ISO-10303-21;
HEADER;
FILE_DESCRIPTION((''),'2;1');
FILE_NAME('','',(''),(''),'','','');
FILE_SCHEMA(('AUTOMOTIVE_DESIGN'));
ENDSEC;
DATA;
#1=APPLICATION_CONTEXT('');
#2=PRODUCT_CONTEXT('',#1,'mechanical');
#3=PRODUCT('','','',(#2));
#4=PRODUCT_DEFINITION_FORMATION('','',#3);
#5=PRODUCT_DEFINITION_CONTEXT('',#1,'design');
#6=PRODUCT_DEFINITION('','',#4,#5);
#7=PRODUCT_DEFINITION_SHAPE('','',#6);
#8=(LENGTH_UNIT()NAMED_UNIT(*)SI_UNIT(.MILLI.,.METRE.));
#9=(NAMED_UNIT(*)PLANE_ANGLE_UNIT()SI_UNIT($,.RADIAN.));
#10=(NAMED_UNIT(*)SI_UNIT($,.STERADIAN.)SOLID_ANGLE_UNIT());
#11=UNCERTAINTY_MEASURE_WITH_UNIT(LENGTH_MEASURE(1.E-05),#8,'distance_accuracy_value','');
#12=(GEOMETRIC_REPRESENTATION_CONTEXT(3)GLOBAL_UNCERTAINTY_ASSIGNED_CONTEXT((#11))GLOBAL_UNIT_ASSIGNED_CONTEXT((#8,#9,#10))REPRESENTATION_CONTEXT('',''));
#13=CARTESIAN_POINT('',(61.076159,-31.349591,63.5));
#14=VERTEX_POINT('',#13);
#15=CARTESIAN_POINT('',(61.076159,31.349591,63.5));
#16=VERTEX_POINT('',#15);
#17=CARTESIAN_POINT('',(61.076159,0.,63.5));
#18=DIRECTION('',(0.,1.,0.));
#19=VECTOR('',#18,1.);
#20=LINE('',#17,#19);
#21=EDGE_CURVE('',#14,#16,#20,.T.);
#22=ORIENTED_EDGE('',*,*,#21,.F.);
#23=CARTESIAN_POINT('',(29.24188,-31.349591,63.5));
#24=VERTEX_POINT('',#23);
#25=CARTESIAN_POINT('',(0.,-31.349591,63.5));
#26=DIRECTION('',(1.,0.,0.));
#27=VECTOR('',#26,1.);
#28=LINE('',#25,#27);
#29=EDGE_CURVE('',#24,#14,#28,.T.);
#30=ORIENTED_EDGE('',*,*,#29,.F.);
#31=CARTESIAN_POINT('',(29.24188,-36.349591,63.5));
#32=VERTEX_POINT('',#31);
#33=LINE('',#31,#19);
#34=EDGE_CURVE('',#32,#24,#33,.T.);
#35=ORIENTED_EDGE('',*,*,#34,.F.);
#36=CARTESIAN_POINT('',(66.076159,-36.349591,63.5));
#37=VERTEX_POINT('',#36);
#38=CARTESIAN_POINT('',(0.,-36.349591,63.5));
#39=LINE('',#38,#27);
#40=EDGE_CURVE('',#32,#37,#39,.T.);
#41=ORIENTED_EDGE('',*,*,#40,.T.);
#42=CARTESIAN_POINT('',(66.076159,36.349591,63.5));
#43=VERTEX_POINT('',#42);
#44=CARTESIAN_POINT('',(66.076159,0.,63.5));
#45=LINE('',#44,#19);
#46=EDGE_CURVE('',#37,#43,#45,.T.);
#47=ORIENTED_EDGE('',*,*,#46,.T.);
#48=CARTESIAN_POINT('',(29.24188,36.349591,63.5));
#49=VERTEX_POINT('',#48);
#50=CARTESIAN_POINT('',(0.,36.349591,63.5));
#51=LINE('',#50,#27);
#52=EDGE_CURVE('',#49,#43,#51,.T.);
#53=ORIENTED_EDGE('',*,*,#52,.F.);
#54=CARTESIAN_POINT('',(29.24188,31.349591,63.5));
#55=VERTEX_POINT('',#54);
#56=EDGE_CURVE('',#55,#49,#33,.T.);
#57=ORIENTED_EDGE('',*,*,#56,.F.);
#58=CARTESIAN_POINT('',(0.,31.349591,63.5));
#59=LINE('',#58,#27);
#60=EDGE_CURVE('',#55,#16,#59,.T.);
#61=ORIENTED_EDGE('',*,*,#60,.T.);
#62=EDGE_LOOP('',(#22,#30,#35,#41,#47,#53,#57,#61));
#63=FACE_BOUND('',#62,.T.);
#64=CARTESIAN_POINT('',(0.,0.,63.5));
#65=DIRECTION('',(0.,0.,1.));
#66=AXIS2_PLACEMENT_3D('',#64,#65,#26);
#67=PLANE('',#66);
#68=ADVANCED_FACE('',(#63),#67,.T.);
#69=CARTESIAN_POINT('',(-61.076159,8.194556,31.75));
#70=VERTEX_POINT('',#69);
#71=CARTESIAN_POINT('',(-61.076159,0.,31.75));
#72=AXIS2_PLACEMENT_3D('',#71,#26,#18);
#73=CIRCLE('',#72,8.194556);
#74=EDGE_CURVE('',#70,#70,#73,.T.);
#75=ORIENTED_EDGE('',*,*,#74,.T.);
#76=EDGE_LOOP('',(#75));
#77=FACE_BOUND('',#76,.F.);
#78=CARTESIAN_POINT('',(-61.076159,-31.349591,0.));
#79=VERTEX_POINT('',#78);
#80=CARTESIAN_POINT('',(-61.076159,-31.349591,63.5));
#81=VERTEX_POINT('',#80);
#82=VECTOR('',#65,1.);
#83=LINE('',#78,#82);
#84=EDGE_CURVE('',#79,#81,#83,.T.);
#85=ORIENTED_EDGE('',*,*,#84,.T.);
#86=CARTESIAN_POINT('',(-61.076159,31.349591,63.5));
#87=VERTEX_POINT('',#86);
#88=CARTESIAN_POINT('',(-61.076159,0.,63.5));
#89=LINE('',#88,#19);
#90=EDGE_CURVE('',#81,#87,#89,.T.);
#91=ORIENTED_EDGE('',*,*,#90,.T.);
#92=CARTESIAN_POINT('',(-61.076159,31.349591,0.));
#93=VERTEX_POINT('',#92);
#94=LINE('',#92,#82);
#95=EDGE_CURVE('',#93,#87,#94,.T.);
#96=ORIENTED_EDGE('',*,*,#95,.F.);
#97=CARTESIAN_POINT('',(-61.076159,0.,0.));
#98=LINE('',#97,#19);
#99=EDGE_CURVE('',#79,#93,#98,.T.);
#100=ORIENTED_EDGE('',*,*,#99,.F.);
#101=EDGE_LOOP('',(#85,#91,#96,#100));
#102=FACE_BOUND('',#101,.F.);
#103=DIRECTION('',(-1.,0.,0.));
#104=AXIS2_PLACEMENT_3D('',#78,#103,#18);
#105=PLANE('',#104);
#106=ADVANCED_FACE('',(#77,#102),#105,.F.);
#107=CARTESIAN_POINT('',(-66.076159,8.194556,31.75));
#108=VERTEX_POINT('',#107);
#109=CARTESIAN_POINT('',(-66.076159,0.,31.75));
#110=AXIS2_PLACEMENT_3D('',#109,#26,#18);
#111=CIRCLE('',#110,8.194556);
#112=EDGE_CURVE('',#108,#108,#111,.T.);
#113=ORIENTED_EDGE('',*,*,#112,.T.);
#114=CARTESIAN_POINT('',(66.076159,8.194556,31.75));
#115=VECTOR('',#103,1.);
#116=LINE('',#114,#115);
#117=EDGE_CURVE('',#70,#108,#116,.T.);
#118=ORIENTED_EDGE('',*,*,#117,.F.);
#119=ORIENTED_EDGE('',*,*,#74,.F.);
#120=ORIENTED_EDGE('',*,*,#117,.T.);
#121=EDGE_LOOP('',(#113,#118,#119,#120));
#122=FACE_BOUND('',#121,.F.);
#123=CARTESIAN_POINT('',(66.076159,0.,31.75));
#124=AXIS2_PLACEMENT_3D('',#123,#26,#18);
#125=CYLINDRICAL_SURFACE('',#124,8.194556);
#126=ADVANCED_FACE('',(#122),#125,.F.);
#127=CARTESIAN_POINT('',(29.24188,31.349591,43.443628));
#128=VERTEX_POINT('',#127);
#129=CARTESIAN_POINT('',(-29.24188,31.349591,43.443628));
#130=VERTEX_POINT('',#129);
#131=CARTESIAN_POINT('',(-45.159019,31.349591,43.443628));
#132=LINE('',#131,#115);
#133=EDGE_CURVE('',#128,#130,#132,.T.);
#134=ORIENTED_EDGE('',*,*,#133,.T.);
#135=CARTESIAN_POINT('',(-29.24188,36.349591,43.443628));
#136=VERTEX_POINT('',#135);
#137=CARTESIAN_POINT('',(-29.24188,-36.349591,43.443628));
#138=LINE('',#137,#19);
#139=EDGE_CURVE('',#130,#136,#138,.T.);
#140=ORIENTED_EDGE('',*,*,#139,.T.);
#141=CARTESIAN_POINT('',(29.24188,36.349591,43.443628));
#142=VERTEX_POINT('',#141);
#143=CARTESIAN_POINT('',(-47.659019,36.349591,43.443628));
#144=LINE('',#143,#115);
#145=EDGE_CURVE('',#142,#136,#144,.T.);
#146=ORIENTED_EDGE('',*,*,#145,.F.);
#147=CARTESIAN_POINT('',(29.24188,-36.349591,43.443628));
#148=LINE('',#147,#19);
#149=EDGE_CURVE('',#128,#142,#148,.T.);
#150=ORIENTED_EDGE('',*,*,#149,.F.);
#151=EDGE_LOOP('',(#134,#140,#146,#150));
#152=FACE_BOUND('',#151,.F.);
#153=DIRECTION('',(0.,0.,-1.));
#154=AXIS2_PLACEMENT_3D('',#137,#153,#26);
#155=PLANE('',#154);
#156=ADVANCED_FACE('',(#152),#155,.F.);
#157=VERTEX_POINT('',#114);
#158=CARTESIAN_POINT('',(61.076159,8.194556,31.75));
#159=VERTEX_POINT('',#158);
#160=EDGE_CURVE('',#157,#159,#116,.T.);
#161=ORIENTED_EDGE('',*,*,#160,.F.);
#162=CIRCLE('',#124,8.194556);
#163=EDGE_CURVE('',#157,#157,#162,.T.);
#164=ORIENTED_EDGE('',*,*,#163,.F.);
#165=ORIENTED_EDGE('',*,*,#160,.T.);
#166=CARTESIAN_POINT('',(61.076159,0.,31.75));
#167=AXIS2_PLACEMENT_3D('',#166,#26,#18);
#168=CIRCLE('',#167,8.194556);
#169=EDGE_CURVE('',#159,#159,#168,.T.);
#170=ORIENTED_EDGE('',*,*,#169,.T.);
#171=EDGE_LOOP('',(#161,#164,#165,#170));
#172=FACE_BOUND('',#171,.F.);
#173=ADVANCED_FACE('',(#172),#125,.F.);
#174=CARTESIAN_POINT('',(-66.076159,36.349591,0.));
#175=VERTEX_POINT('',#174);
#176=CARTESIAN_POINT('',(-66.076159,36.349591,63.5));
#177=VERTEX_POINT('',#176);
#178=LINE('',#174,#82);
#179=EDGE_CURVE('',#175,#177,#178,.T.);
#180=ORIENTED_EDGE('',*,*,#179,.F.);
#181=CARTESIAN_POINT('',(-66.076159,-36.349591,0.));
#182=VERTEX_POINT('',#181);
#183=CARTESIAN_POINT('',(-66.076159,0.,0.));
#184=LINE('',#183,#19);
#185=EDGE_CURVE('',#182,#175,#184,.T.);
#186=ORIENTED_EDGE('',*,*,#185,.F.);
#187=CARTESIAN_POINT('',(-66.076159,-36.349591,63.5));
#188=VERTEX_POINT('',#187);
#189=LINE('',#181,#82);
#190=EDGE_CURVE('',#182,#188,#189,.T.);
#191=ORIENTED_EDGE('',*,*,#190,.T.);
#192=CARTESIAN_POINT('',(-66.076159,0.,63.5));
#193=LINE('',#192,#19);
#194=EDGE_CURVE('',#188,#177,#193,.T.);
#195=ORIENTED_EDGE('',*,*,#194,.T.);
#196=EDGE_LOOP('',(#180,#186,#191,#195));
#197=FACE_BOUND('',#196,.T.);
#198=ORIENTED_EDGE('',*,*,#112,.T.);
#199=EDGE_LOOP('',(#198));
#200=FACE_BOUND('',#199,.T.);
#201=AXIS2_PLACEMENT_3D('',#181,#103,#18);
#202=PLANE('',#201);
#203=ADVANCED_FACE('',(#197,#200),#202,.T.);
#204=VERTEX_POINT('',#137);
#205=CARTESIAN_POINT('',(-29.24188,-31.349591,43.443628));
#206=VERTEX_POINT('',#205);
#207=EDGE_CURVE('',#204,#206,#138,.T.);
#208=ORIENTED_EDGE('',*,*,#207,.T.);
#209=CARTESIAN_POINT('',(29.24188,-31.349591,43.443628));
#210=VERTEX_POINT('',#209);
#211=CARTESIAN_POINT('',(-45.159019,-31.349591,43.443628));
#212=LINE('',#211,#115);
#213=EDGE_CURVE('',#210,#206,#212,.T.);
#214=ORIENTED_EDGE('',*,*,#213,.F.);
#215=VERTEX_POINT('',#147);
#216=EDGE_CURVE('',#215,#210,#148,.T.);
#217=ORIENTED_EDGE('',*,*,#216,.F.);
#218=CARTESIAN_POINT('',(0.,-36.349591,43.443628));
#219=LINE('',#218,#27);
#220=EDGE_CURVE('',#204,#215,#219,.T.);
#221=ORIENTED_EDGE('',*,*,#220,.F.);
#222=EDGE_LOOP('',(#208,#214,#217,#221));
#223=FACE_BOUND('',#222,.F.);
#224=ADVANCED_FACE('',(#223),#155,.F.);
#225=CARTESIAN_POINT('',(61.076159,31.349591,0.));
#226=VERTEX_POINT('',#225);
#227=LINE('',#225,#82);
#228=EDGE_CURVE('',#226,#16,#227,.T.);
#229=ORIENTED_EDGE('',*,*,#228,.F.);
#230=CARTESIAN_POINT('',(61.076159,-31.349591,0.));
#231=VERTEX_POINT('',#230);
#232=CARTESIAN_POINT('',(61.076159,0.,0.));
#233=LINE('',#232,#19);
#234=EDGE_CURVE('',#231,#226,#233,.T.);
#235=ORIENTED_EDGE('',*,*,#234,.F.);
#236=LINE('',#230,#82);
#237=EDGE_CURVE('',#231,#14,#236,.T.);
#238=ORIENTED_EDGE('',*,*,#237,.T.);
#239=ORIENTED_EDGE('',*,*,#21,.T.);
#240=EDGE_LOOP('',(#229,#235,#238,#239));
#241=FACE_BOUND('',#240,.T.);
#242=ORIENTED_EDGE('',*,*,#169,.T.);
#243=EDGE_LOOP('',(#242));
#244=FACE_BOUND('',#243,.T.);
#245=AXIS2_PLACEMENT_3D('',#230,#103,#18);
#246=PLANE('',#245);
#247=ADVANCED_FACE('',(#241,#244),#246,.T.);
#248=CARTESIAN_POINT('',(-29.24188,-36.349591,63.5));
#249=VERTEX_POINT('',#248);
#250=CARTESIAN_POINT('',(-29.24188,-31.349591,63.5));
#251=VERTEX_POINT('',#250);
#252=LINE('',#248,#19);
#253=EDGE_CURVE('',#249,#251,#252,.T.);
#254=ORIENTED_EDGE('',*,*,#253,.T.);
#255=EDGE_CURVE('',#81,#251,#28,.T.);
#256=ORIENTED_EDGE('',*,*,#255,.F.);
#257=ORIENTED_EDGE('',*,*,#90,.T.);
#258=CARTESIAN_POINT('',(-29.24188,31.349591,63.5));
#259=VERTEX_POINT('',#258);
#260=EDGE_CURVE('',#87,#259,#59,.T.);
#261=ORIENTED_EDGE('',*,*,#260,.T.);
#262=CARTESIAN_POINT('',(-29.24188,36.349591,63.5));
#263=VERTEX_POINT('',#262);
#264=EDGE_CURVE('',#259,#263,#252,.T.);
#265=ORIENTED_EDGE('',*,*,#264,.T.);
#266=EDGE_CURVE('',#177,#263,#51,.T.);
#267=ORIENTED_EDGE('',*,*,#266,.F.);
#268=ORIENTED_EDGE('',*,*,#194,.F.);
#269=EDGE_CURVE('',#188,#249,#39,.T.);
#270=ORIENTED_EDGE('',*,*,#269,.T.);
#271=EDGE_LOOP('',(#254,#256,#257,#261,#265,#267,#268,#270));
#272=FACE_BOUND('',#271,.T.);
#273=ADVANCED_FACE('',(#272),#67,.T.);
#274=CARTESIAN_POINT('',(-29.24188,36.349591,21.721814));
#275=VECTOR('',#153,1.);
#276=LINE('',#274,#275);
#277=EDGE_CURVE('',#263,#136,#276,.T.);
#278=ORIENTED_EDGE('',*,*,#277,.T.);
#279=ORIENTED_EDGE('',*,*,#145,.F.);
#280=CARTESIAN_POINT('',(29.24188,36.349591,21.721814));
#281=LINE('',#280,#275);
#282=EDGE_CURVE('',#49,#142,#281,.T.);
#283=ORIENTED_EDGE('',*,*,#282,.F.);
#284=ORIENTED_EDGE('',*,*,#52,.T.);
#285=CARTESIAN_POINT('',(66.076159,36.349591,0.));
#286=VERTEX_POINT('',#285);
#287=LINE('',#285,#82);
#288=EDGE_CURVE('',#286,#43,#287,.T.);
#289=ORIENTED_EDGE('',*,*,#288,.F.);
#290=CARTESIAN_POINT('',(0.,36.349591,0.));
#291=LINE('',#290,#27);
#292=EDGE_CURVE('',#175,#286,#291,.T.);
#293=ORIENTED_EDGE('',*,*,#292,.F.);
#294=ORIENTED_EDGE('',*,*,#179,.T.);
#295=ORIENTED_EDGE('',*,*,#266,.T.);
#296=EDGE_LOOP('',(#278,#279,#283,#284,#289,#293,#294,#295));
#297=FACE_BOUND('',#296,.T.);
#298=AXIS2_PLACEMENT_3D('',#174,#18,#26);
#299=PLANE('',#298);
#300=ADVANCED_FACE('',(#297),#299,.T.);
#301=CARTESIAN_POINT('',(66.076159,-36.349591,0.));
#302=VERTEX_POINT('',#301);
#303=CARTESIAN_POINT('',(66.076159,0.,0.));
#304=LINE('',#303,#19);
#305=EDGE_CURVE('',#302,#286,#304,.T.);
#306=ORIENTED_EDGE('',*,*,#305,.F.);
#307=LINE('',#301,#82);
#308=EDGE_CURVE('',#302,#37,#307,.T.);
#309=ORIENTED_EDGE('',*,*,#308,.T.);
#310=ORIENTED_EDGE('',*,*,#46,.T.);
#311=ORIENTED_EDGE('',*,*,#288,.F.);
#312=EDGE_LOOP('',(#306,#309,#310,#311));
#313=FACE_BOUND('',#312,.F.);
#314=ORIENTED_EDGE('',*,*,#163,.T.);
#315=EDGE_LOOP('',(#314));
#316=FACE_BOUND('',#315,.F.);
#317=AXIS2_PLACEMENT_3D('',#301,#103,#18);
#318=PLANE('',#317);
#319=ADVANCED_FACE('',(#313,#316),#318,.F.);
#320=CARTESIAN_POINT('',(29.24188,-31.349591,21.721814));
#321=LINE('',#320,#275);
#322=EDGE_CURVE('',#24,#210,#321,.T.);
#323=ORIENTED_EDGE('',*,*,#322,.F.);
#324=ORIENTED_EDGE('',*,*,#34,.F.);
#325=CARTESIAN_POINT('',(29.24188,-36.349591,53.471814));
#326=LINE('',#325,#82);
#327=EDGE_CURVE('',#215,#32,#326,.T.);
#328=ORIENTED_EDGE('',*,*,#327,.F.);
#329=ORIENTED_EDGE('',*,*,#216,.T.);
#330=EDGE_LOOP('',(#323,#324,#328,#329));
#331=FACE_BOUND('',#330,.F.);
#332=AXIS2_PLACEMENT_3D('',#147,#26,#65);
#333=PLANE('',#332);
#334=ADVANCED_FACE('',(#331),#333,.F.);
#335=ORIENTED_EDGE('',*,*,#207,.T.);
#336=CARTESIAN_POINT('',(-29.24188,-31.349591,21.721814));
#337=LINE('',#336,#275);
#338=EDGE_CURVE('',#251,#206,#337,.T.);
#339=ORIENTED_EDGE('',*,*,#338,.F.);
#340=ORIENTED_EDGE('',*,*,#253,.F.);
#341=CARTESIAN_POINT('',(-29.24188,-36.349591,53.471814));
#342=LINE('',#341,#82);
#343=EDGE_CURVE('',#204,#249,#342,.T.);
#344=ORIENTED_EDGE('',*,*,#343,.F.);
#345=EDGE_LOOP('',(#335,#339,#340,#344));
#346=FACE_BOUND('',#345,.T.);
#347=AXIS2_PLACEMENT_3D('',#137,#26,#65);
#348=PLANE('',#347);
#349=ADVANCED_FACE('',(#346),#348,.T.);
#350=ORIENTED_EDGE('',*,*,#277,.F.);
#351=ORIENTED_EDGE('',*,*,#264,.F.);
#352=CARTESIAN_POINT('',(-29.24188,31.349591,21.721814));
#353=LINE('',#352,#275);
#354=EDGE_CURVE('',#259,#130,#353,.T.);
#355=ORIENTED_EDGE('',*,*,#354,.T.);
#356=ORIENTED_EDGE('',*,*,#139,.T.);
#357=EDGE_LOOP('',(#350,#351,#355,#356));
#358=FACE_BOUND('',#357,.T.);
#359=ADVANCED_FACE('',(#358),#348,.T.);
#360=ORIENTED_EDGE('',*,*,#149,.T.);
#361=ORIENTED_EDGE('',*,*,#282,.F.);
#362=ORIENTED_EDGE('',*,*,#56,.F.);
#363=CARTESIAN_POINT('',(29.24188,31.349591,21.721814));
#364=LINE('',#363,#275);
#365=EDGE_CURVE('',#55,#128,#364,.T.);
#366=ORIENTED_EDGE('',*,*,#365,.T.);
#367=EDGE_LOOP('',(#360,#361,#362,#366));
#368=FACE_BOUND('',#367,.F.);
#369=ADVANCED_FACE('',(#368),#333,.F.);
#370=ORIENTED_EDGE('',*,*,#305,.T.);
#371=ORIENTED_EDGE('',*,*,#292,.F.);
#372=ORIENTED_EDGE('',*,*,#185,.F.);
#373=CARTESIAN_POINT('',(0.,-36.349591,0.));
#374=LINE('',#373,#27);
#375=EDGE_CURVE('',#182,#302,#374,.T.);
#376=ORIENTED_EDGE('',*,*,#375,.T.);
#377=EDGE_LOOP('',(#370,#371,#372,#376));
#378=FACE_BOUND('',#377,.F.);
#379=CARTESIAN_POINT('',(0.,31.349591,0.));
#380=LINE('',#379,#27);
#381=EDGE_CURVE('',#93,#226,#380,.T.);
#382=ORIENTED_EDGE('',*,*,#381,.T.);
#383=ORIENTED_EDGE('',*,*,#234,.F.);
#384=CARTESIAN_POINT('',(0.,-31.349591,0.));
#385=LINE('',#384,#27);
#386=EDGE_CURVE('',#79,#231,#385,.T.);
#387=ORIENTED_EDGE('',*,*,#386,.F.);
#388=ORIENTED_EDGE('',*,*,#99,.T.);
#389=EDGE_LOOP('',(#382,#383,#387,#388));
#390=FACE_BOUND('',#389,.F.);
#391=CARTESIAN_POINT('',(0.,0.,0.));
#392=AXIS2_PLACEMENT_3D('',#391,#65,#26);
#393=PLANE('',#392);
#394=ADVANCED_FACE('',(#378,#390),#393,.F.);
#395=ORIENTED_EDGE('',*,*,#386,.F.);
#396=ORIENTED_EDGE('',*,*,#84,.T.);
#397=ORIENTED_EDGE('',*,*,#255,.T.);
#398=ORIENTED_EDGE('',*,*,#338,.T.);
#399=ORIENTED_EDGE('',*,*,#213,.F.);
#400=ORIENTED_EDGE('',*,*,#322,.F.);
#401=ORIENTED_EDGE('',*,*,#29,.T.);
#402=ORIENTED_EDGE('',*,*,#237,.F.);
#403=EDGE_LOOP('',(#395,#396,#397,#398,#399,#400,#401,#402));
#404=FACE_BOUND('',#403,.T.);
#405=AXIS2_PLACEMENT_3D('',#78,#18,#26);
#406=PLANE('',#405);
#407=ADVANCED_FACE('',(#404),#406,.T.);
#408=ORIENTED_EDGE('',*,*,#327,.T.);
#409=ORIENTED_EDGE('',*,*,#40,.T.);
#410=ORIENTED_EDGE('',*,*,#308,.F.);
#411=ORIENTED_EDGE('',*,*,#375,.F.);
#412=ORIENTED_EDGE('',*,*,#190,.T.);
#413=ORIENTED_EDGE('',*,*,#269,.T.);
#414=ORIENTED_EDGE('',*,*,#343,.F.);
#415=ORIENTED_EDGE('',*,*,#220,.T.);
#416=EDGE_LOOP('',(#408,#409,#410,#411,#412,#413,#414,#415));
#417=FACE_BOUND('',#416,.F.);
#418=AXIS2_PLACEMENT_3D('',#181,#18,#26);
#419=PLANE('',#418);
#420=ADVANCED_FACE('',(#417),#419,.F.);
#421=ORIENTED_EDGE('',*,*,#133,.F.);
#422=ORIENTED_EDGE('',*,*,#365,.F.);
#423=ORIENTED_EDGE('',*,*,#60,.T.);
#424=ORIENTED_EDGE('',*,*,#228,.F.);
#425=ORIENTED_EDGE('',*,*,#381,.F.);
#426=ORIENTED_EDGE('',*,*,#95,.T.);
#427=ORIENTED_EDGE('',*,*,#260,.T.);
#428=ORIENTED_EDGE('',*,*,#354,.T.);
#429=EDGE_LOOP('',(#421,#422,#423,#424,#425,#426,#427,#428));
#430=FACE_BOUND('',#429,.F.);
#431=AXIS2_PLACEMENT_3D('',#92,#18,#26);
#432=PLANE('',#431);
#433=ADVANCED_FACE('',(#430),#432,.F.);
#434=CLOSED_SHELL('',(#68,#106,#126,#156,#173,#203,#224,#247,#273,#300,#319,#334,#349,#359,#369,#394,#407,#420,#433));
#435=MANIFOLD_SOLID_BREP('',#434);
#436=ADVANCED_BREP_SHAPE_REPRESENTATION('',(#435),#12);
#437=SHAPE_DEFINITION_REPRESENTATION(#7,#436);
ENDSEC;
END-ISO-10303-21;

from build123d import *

# Parameters (mm, degrees)
F0_W     = 132.152318
F0_H     = 72.699182
F0_W_2   = 122.152318
F0_H_2   = 62.699182
F1_DEPTH = 63.5
F2_R     = 8.194556
F3_DEPTH = 132.153319
F4_W     = 58.48376
F4_H     = 20.056372
F5_DEPTH = 72.700182


with BuildPart() as f1:
    # F0 (on Top) → F1 (new body)
    with BuildSketch(Plane.XY):
        Rectangle(F0_W, F0_H)
        Rectangle(F0_W_2, F0_H_2, mode=Mode.SUBTRACT)
    extrude(amount=F1_DEPTH)

    # F2 (on face) → F3 (cut, through all)
    with BuildSketch(Plane.YZ.offset(66.076159)):
        with Locations((0, 31.75)):
            Circle(F2_R)
    extrude(amount=-F3_DEPTH, mode=Mode.SUBTRACT)

    # F4 (on face) → F5 (cut, through all)
    with BuildSketch(Plane.XZ.offset(36.349591)):
        with Locations((0, 53.471814)):
            Rectangle(F4_W, F4_H)
    extrude(amount=-F5_DEPTH, mode=Mode.SUBTRACT)


solid = f1.part
